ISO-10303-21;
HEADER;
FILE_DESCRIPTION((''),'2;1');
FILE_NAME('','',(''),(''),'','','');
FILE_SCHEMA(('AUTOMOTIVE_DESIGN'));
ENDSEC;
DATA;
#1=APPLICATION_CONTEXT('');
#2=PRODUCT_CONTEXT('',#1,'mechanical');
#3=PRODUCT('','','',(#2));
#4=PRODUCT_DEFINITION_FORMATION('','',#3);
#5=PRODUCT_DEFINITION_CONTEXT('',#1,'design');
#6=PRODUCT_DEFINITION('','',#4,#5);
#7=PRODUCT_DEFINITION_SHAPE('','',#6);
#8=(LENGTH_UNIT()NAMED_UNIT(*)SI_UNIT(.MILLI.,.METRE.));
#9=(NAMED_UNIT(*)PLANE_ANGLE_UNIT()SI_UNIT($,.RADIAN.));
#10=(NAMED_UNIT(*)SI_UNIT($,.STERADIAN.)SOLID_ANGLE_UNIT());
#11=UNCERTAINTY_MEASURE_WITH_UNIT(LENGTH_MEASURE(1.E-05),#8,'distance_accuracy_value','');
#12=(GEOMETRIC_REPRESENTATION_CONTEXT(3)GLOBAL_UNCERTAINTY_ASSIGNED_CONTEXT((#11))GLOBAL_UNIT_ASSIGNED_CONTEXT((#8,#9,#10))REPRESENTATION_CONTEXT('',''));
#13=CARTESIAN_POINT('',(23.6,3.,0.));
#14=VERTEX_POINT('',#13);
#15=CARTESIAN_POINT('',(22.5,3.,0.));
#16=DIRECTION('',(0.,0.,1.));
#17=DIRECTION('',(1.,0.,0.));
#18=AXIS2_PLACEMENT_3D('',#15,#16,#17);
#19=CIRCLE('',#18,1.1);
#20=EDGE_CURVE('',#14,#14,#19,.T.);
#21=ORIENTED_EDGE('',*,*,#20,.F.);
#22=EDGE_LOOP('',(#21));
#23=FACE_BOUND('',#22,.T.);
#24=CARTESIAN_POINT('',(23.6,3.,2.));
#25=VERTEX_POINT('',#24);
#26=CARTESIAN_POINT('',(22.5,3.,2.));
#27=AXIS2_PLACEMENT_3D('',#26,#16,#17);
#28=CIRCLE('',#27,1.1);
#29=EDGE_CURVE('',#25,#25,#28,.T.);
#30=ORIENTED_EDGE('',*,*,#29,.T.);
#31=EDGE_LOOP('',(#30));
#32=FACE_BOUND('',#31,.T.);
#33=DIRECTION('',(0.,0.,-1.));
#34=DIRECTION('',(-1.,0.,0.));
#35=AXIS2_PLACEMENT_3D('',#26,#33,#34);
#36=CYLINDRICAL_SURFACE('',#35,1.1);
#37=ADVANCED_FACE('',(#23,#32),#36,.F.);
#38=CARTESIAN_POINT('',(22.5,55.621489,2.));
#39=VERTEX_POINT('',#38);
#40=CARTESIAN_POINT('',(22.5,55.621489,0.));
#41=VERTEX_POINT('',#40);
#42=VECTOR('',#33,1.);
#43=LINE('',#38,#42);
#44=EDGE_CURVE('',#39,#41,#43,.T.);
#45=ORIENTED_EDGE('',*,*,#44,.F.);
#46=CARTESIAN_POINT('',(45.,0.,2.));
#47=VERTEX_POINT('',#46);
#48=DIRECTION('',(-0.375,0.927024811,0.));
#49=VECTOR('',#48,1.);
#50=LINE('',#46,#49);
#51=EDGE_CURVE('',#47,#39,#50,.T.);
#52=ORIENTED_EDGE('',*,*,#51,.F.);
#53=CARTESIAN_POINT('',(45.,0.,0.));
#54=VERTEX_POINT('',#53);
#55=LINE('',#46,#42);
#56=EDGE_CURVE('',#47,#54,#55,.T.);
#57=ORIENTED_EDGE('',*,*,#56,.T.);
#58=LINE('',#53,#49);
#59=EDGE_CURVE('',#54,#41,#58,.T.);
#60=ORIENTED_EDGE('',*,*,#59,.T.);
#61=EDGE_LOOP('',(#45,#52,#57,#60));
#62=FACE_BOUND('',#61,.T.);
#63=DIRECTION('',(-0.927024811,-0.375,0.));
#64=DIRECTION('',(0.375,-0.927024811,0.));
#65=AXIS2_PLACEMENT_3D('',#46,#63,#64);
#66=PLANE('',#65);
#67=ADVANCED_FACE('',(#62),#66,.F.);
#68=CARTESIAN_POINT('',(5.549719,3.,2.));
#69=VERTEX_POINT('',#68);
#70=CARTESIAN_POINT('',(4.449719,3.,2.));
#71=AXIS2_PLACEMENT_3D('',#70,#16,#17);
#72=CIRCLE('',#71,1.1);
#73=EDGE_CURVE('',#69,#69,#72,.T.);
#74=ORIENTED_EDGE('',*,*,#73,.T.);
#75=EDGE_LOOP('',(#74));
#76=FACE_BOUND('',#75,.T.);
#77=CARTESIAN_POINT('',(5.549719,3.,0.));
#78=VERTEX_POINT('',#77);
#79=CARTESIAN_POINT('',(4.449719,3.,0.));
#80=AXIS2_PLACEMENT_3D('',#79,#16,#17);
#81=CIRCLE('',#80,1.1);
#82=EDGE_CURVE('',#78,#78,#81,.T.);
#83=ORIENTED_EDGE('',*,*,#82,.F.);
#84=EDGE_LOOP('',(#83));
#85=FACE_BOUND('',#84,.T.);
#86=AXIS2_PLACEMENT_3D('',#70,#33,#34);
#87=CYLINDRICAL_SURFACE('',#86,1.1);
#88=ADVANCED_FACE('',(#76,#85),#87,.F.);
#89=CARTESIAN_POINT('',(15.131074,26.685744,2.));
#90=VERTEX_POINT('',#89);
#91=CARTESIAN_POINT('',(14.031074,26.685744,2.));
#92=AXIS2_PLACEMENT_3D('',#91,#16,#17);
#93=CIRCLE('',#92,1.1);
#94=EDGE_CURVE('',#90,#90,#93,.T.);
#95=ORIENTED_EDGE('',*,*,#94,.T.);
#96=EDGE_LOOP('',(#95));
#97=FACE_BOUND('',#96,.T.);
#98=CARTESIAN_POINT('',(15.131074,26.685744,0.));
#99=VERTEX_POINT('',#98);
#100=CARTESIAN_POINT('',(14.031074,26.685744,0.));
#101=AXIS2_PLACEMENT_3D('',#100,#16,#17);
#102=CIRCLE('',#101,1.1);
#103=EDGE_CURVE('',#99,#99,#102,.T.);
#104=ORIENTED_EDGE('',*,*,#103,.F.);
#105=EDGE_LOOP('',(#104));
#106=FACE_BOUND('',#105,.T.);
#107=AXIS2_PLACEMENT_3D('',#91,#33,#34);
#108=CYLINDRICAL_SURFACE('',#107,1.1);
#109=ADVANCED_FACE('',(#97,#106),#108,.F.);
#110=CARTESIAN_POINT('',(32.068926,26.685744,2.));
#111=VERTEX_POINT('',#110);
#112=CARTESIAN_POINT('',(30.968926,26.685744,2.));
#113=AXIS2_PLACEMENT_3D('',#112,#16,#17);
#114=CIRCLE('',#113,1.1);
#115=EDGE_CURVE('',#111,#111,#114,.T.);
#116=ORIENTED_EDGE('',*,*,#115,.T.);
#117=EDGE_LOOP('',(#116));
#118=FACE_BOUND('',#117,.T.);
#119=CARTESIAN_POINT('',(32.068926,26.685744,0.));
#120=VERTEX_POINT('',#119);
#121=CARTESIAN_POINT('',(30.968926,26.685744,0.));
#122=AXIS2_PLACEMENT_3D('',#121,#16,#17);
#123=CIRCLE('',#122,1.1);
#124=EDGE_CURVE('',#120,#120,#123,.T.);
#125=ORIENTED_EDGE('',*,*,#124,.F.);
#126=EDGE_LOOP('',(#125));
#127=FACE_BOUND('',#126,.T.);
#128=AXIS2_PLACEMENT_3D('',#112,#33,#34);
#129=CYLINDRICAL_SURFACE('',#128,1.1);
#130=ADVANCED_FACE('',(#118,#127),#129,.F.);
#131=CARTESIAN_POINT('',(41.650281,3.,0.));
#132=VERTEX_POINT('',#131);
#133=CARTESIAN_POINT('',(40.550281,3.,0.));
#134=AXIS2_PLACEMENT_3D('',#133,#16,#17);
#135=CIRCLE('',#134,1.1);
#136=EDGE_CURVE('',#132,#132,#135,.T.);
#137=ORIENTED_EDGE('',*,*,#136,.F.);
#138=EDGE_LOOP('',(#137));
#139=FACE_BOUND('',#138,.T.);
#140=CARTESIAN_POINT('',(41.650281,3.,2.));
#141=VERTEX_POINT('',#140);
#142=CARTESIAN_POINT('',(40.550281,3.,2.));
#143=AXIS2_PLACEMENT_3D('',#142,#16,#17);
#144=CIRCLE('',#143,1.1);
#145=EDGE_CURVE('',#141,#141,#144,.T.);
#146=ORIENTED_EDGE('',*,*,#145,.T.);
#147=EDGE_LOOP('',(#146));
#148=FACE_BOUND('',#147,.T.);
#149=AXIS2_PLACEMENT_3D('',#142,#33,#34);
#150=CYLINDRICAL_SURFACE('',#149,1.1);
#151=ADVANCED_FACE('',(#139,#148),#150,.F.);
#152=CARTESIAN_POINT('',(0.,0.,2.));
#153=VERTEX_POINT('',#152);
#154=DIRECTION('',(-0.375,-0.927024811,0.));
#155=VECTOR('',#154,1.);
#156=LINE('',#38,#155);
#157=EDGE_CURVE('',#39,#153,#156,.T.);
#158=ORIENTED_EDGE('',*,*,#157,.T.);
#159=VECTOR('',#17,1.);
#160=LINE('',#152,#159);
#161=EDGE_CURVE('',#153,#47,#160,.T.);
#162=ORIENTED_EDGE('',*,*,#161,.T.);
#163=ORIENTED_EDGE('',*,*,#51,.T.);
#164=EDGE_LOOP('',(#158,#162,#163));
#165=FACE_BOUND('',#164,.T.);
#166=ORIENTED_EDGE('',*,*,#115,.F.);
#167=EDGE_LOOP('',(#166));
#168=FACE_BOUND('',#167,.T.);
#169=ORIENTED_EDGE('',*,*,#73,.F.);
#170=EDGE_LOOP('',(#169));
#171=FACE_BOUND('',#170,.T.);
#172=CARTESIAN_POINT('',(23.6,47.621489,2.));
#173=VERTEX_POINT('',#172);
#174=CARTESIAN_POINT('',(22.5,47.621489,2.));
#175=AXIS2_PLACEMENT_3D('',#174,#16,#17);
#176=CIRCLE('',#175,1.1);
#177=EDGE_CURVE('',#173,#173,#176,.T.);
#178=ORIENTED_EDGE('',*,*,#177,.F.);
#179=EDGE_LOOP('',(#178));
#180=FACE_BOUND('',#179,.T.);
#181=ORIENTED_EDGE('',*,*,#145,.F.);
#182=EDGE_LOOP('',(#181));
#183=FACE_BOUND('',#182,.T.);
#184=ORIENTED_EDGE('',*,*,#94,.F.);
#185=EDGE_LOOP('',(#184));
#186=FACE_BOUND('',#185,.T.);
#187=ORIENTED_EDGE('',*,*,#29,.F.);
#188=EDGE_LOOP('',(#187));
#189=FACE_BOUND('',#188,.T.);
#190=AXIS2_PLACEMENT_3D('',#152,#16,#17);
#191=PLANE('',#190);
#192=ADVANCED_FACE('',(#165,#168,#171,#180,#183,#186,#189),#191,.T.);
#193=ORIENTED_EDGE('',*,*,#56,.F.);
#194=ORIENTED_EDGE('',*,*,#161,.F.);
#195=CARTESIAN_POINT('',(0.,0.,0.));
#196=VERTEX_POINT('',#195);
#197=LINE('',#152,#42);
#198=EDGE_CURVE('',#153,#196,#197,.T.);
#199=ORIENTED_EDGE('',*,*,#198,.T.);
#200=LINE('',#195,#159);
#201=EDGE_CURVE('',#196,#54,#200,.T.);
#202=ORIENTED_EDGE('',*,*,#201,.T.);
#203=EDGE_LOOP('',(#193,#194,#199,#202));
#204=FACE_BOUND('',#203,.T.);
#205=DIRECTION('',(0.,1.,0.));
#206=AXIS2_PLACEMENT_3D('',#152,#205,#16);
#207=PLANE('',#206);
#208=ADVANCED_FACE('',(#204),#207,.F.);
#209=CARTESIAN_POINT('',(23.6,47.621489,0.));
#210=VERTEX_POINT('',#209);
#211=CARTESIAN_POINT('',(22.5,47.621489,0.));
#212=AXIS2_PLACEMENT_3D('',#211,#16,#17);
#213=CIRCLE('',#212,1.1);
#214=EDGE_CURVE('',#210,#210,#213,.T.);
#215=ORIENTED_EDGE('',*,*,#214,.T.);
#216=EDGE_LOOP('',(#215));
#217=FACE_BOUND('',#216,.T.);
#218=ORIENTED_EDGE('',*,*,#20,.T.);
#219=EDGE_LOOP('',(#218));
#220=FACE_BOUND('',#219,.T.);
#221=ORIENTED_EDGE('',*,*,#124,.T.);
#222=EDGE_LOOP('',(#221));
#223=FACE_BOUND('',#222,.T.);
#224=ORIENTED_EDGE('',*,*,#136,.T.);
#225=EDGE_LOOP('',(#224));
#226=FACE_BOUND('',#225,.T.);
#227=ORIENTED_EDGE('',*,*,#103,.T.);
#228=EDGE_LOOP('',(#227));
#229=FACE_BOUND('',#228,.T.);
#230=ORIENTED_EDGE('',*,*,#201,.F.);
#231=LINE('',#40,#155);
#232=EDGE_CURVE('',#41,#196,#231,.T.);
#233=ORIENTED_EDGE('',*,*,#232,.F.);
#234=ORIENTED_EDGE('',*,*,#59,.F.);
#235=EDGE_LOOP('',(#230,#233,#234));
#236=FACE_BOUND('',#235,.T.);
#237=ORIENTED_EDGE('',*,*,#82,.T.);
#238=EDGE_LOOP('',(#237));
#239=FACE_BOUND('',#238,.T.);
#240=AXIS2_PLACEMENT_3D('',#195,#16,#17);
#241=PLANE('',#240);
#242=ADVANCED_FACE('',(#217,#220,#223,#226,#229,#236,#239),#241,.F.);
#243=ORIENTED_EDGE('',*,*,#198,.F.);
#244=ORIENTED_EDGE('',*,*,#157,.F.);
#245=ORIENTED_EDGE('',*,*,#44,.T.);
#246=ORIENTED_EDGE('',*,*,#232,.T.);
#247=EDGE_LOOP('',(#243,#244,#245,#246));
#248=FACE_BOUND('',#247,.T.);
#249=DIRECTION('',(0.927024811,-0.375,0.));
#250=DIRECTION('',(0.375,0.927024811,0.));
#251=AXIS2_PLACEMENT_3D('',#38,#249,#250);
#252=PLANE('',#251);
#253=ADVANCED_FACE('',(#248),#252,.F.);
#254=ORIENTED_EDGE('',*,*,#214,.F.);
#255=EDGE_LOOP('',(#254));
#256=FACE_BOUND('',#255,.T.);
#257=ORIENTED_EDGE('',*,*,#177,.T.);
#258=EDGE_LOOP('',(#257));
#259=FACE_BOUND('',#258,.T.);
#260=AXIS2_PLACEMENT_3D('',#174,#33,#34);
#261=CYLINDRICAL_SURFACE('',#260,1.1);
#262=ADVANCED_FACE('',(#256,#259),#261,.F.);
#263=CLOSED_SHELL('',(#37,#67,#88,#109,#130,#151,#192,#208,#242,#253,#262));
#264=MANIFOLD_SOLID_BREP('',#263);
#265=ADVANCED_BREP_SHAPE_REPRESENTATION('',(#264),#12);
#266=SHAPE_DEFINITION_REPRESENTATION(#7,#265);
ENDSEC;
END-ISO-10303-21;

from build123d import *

# Parameters (mm, degrees)
ESQUISSE1_R        = 1.1
BOSS_EXTRU_1_DEPTH = 2


with BuildPart() as part:
    # Esquisse1 → Boss.-Extru.1 (new body)
    with BuildSketch(Plane.XY):
        Polygon((0, 0), (45, 0), (22.5, 55.621488653), align=None)
        with Locations((22.5, 3)):
            Circle(ESQUISSE1_R, mode=Mode.SUBTRACT)
        with Locations((14.031074433, 26.685744327)):
            Circle(ESQUISSE1_R, mode=Mode.SUBTRACT)
        with Locations((30.968925567, 26.685744327)):
            Circle(ESQUISSE1_R, mode=Mode.SUBTRACT)
        with Locations((4.449719092, 3)):
            Circle(ESQUISSE1_R, mode=Mode.SUBTRACT)
        with Locations((22.5, 47.621488653)):
            Circle(ESQUISSE1_R, mode=Mode.SUBTRACT)
        with Locations((40.550280908, 3)):
            Circle(ESQUISSE1_R, mode=Mode.SUBTRACT)
    extrude(amount=BOSS_EXTRU_1_DEPTH)


solid = part.part
